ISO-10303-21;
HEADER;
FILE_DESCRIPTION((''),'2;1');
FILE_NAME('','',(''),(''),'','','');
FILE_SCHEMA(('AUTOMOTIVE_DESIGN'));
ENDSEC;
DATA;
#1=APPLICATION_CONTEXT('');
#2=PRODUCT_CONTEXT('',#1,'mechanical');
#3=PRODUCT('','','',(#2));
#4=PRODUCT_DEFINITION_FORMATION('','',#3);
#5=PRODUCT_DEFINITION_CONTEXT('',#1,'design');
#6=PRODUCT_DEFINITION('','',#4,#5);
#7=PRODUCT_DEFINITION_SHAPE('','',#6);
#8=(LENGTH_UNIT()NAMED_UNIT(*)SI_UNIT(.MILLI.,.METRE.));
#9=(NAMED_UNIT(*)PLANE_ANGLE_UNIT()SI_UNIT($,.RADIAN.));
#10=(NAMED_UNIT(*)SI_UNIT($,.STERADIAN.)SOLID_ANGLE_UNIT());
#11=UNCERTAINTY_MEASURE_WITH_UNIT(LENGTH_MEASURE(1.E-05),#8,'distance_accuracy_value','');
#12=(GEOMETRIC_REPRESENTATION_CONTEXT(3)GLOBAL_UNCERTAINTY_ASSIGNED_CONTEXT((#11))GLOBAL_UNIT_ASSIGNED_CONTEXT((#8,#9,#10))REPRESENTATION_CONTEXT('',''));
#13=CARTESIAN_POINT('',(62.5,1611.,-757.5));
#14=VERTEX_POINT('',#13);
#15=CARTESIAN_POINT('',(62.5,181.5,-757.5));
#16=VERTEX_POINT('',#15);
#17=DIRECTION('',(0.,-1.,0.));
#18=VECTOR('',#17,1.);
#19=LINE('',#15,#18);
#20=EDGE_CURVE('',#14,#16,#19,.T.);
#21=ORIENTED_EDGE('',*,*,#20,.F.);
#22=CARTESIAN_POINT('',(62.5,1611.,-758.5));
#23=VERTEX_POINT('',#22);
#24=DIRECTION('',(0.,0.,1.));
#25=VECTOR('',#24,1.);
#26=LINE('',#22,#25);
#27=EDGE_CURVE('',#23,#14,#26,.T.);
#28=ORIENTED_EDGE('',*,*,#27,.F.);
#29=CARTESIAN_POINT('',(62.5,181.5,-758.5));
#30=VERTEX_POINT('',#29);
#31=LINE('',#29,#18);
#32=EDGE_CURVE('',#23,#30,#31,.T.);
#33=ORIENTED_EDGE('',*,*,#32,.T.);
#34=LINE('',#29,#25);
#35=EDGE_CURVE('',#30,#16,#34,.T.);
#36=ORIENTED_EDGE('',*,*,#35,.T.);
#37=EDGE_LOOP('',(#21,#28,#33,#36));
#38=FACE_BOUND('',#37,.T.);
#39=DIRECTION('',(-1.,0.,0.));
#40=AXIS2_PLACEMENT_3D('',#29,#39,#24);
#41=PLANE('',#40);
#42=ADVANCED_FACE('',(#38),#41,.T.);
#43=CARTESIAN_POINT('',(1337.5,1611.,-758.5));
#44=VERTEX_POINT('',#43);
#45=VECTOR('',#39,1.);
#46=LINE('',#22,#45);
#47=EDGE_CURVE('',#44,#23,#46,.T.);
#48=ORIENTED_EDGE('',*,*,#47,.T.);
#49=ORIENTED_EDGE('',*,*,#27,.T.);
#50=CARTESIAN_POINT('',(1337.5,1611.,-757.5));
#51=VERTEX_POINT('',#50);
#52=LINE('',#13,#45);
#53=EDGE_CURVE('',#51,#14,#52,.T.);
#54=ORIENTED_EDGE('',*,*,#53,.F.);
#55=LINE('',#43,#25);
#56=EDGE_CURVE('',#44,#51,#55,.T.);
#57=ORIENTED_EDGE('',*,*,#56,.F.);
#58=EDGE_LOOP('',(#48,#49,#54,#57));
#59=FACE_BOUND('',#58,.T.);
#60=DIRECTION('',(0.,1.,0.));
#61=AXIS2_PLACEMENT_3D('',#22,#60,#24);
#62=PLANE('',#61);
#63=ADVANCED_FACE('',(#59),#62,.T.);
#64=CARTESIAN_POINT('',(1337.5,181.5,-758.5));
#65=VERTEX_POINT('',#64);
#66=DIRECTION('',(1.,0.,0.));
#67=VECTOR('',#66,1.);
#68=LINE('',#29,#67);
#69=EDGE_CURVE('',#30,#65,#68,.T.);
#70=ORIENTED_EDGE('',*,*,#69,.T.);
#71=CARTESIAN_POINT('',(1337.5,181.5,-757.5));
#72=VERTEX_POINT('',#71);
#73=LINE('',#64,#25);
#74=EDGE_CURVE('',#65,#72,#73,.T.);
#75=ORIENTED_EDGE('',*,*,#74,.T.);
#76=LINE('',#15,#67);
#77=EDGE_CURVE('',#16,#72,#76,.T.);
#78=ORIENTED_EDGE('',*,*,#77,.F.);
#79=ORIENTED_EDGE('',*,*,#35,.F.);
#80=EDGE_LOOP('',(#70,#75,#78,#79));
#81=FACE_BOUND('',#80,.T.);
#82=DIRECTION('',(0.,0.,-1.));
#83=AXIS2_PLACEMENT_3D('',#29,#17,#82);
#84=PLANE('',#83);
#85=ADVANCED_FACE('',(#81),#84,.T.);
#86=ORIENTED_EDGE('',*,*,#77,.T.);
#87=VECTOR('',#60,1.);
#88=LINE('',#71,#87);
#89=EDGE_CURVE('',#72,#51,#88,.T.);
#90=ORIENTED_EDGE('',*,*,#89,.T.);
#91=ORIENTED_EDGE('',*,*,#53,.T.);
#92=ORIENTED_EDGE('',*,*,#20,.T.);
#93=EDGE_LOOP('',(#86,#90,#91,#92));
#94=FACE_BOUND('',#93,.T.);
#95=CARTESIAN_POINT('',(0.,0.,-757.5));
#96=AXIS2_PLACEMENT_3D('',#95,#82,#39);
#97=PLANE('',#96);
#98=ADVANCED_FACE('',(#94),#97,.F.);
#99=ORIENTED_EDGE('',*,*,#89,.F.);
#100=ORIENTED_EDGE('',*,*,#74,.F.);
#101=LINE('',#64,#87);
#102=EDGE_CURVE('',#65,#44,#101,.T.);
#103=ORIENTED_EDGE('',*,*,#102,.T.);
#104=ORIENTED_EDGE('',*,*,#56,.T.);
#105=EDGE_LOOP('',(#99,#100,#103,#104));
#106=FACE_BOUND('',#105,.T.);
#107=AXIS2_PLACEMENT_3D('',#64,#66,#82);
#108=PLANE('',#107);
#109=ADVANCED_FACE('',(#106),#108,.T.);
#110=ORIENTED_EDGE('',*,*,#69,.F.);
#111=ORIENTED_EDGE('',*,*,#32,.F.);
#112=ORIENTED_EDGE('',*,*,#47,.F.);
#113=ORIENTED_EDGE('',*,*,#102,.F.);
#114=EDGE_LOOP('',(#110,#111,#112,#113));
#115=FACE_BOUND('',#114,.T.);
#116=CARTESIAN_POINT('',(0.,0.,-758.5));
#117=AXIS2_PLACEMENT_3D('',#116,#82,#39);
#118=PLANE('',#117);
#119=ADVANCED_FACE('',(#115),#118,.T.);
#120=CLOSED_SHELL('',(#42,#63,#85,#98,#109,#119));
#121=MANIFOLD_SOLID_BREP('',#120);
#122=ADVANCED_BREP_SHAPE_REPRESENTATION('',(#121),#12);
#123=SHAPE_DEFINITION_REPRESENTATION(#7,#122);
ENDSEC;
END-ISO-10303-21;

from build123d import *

# Parameters (mm, degrees)
STORE_IC_ARKA_1_START = -757.5
SKETCH1_W             = 1275
SKETCH1_H             = 1429.5
STORE_IC_ARKA_1_DEPTH = 1


with BuildPart() as part:
    # Sketch1 → STORE_ic_arka_1 (new body)
    with BuildSketch(Plane.XY.offset(STORE_IC_ARKA_1_START)):
        with Locations((700, 896.25)):
            Rectangle(SKETCH1_W, SKETCH1_H)
    extrude(amount=-STORE_IC_ARKA_1_DEPTH)


solid = part.part
